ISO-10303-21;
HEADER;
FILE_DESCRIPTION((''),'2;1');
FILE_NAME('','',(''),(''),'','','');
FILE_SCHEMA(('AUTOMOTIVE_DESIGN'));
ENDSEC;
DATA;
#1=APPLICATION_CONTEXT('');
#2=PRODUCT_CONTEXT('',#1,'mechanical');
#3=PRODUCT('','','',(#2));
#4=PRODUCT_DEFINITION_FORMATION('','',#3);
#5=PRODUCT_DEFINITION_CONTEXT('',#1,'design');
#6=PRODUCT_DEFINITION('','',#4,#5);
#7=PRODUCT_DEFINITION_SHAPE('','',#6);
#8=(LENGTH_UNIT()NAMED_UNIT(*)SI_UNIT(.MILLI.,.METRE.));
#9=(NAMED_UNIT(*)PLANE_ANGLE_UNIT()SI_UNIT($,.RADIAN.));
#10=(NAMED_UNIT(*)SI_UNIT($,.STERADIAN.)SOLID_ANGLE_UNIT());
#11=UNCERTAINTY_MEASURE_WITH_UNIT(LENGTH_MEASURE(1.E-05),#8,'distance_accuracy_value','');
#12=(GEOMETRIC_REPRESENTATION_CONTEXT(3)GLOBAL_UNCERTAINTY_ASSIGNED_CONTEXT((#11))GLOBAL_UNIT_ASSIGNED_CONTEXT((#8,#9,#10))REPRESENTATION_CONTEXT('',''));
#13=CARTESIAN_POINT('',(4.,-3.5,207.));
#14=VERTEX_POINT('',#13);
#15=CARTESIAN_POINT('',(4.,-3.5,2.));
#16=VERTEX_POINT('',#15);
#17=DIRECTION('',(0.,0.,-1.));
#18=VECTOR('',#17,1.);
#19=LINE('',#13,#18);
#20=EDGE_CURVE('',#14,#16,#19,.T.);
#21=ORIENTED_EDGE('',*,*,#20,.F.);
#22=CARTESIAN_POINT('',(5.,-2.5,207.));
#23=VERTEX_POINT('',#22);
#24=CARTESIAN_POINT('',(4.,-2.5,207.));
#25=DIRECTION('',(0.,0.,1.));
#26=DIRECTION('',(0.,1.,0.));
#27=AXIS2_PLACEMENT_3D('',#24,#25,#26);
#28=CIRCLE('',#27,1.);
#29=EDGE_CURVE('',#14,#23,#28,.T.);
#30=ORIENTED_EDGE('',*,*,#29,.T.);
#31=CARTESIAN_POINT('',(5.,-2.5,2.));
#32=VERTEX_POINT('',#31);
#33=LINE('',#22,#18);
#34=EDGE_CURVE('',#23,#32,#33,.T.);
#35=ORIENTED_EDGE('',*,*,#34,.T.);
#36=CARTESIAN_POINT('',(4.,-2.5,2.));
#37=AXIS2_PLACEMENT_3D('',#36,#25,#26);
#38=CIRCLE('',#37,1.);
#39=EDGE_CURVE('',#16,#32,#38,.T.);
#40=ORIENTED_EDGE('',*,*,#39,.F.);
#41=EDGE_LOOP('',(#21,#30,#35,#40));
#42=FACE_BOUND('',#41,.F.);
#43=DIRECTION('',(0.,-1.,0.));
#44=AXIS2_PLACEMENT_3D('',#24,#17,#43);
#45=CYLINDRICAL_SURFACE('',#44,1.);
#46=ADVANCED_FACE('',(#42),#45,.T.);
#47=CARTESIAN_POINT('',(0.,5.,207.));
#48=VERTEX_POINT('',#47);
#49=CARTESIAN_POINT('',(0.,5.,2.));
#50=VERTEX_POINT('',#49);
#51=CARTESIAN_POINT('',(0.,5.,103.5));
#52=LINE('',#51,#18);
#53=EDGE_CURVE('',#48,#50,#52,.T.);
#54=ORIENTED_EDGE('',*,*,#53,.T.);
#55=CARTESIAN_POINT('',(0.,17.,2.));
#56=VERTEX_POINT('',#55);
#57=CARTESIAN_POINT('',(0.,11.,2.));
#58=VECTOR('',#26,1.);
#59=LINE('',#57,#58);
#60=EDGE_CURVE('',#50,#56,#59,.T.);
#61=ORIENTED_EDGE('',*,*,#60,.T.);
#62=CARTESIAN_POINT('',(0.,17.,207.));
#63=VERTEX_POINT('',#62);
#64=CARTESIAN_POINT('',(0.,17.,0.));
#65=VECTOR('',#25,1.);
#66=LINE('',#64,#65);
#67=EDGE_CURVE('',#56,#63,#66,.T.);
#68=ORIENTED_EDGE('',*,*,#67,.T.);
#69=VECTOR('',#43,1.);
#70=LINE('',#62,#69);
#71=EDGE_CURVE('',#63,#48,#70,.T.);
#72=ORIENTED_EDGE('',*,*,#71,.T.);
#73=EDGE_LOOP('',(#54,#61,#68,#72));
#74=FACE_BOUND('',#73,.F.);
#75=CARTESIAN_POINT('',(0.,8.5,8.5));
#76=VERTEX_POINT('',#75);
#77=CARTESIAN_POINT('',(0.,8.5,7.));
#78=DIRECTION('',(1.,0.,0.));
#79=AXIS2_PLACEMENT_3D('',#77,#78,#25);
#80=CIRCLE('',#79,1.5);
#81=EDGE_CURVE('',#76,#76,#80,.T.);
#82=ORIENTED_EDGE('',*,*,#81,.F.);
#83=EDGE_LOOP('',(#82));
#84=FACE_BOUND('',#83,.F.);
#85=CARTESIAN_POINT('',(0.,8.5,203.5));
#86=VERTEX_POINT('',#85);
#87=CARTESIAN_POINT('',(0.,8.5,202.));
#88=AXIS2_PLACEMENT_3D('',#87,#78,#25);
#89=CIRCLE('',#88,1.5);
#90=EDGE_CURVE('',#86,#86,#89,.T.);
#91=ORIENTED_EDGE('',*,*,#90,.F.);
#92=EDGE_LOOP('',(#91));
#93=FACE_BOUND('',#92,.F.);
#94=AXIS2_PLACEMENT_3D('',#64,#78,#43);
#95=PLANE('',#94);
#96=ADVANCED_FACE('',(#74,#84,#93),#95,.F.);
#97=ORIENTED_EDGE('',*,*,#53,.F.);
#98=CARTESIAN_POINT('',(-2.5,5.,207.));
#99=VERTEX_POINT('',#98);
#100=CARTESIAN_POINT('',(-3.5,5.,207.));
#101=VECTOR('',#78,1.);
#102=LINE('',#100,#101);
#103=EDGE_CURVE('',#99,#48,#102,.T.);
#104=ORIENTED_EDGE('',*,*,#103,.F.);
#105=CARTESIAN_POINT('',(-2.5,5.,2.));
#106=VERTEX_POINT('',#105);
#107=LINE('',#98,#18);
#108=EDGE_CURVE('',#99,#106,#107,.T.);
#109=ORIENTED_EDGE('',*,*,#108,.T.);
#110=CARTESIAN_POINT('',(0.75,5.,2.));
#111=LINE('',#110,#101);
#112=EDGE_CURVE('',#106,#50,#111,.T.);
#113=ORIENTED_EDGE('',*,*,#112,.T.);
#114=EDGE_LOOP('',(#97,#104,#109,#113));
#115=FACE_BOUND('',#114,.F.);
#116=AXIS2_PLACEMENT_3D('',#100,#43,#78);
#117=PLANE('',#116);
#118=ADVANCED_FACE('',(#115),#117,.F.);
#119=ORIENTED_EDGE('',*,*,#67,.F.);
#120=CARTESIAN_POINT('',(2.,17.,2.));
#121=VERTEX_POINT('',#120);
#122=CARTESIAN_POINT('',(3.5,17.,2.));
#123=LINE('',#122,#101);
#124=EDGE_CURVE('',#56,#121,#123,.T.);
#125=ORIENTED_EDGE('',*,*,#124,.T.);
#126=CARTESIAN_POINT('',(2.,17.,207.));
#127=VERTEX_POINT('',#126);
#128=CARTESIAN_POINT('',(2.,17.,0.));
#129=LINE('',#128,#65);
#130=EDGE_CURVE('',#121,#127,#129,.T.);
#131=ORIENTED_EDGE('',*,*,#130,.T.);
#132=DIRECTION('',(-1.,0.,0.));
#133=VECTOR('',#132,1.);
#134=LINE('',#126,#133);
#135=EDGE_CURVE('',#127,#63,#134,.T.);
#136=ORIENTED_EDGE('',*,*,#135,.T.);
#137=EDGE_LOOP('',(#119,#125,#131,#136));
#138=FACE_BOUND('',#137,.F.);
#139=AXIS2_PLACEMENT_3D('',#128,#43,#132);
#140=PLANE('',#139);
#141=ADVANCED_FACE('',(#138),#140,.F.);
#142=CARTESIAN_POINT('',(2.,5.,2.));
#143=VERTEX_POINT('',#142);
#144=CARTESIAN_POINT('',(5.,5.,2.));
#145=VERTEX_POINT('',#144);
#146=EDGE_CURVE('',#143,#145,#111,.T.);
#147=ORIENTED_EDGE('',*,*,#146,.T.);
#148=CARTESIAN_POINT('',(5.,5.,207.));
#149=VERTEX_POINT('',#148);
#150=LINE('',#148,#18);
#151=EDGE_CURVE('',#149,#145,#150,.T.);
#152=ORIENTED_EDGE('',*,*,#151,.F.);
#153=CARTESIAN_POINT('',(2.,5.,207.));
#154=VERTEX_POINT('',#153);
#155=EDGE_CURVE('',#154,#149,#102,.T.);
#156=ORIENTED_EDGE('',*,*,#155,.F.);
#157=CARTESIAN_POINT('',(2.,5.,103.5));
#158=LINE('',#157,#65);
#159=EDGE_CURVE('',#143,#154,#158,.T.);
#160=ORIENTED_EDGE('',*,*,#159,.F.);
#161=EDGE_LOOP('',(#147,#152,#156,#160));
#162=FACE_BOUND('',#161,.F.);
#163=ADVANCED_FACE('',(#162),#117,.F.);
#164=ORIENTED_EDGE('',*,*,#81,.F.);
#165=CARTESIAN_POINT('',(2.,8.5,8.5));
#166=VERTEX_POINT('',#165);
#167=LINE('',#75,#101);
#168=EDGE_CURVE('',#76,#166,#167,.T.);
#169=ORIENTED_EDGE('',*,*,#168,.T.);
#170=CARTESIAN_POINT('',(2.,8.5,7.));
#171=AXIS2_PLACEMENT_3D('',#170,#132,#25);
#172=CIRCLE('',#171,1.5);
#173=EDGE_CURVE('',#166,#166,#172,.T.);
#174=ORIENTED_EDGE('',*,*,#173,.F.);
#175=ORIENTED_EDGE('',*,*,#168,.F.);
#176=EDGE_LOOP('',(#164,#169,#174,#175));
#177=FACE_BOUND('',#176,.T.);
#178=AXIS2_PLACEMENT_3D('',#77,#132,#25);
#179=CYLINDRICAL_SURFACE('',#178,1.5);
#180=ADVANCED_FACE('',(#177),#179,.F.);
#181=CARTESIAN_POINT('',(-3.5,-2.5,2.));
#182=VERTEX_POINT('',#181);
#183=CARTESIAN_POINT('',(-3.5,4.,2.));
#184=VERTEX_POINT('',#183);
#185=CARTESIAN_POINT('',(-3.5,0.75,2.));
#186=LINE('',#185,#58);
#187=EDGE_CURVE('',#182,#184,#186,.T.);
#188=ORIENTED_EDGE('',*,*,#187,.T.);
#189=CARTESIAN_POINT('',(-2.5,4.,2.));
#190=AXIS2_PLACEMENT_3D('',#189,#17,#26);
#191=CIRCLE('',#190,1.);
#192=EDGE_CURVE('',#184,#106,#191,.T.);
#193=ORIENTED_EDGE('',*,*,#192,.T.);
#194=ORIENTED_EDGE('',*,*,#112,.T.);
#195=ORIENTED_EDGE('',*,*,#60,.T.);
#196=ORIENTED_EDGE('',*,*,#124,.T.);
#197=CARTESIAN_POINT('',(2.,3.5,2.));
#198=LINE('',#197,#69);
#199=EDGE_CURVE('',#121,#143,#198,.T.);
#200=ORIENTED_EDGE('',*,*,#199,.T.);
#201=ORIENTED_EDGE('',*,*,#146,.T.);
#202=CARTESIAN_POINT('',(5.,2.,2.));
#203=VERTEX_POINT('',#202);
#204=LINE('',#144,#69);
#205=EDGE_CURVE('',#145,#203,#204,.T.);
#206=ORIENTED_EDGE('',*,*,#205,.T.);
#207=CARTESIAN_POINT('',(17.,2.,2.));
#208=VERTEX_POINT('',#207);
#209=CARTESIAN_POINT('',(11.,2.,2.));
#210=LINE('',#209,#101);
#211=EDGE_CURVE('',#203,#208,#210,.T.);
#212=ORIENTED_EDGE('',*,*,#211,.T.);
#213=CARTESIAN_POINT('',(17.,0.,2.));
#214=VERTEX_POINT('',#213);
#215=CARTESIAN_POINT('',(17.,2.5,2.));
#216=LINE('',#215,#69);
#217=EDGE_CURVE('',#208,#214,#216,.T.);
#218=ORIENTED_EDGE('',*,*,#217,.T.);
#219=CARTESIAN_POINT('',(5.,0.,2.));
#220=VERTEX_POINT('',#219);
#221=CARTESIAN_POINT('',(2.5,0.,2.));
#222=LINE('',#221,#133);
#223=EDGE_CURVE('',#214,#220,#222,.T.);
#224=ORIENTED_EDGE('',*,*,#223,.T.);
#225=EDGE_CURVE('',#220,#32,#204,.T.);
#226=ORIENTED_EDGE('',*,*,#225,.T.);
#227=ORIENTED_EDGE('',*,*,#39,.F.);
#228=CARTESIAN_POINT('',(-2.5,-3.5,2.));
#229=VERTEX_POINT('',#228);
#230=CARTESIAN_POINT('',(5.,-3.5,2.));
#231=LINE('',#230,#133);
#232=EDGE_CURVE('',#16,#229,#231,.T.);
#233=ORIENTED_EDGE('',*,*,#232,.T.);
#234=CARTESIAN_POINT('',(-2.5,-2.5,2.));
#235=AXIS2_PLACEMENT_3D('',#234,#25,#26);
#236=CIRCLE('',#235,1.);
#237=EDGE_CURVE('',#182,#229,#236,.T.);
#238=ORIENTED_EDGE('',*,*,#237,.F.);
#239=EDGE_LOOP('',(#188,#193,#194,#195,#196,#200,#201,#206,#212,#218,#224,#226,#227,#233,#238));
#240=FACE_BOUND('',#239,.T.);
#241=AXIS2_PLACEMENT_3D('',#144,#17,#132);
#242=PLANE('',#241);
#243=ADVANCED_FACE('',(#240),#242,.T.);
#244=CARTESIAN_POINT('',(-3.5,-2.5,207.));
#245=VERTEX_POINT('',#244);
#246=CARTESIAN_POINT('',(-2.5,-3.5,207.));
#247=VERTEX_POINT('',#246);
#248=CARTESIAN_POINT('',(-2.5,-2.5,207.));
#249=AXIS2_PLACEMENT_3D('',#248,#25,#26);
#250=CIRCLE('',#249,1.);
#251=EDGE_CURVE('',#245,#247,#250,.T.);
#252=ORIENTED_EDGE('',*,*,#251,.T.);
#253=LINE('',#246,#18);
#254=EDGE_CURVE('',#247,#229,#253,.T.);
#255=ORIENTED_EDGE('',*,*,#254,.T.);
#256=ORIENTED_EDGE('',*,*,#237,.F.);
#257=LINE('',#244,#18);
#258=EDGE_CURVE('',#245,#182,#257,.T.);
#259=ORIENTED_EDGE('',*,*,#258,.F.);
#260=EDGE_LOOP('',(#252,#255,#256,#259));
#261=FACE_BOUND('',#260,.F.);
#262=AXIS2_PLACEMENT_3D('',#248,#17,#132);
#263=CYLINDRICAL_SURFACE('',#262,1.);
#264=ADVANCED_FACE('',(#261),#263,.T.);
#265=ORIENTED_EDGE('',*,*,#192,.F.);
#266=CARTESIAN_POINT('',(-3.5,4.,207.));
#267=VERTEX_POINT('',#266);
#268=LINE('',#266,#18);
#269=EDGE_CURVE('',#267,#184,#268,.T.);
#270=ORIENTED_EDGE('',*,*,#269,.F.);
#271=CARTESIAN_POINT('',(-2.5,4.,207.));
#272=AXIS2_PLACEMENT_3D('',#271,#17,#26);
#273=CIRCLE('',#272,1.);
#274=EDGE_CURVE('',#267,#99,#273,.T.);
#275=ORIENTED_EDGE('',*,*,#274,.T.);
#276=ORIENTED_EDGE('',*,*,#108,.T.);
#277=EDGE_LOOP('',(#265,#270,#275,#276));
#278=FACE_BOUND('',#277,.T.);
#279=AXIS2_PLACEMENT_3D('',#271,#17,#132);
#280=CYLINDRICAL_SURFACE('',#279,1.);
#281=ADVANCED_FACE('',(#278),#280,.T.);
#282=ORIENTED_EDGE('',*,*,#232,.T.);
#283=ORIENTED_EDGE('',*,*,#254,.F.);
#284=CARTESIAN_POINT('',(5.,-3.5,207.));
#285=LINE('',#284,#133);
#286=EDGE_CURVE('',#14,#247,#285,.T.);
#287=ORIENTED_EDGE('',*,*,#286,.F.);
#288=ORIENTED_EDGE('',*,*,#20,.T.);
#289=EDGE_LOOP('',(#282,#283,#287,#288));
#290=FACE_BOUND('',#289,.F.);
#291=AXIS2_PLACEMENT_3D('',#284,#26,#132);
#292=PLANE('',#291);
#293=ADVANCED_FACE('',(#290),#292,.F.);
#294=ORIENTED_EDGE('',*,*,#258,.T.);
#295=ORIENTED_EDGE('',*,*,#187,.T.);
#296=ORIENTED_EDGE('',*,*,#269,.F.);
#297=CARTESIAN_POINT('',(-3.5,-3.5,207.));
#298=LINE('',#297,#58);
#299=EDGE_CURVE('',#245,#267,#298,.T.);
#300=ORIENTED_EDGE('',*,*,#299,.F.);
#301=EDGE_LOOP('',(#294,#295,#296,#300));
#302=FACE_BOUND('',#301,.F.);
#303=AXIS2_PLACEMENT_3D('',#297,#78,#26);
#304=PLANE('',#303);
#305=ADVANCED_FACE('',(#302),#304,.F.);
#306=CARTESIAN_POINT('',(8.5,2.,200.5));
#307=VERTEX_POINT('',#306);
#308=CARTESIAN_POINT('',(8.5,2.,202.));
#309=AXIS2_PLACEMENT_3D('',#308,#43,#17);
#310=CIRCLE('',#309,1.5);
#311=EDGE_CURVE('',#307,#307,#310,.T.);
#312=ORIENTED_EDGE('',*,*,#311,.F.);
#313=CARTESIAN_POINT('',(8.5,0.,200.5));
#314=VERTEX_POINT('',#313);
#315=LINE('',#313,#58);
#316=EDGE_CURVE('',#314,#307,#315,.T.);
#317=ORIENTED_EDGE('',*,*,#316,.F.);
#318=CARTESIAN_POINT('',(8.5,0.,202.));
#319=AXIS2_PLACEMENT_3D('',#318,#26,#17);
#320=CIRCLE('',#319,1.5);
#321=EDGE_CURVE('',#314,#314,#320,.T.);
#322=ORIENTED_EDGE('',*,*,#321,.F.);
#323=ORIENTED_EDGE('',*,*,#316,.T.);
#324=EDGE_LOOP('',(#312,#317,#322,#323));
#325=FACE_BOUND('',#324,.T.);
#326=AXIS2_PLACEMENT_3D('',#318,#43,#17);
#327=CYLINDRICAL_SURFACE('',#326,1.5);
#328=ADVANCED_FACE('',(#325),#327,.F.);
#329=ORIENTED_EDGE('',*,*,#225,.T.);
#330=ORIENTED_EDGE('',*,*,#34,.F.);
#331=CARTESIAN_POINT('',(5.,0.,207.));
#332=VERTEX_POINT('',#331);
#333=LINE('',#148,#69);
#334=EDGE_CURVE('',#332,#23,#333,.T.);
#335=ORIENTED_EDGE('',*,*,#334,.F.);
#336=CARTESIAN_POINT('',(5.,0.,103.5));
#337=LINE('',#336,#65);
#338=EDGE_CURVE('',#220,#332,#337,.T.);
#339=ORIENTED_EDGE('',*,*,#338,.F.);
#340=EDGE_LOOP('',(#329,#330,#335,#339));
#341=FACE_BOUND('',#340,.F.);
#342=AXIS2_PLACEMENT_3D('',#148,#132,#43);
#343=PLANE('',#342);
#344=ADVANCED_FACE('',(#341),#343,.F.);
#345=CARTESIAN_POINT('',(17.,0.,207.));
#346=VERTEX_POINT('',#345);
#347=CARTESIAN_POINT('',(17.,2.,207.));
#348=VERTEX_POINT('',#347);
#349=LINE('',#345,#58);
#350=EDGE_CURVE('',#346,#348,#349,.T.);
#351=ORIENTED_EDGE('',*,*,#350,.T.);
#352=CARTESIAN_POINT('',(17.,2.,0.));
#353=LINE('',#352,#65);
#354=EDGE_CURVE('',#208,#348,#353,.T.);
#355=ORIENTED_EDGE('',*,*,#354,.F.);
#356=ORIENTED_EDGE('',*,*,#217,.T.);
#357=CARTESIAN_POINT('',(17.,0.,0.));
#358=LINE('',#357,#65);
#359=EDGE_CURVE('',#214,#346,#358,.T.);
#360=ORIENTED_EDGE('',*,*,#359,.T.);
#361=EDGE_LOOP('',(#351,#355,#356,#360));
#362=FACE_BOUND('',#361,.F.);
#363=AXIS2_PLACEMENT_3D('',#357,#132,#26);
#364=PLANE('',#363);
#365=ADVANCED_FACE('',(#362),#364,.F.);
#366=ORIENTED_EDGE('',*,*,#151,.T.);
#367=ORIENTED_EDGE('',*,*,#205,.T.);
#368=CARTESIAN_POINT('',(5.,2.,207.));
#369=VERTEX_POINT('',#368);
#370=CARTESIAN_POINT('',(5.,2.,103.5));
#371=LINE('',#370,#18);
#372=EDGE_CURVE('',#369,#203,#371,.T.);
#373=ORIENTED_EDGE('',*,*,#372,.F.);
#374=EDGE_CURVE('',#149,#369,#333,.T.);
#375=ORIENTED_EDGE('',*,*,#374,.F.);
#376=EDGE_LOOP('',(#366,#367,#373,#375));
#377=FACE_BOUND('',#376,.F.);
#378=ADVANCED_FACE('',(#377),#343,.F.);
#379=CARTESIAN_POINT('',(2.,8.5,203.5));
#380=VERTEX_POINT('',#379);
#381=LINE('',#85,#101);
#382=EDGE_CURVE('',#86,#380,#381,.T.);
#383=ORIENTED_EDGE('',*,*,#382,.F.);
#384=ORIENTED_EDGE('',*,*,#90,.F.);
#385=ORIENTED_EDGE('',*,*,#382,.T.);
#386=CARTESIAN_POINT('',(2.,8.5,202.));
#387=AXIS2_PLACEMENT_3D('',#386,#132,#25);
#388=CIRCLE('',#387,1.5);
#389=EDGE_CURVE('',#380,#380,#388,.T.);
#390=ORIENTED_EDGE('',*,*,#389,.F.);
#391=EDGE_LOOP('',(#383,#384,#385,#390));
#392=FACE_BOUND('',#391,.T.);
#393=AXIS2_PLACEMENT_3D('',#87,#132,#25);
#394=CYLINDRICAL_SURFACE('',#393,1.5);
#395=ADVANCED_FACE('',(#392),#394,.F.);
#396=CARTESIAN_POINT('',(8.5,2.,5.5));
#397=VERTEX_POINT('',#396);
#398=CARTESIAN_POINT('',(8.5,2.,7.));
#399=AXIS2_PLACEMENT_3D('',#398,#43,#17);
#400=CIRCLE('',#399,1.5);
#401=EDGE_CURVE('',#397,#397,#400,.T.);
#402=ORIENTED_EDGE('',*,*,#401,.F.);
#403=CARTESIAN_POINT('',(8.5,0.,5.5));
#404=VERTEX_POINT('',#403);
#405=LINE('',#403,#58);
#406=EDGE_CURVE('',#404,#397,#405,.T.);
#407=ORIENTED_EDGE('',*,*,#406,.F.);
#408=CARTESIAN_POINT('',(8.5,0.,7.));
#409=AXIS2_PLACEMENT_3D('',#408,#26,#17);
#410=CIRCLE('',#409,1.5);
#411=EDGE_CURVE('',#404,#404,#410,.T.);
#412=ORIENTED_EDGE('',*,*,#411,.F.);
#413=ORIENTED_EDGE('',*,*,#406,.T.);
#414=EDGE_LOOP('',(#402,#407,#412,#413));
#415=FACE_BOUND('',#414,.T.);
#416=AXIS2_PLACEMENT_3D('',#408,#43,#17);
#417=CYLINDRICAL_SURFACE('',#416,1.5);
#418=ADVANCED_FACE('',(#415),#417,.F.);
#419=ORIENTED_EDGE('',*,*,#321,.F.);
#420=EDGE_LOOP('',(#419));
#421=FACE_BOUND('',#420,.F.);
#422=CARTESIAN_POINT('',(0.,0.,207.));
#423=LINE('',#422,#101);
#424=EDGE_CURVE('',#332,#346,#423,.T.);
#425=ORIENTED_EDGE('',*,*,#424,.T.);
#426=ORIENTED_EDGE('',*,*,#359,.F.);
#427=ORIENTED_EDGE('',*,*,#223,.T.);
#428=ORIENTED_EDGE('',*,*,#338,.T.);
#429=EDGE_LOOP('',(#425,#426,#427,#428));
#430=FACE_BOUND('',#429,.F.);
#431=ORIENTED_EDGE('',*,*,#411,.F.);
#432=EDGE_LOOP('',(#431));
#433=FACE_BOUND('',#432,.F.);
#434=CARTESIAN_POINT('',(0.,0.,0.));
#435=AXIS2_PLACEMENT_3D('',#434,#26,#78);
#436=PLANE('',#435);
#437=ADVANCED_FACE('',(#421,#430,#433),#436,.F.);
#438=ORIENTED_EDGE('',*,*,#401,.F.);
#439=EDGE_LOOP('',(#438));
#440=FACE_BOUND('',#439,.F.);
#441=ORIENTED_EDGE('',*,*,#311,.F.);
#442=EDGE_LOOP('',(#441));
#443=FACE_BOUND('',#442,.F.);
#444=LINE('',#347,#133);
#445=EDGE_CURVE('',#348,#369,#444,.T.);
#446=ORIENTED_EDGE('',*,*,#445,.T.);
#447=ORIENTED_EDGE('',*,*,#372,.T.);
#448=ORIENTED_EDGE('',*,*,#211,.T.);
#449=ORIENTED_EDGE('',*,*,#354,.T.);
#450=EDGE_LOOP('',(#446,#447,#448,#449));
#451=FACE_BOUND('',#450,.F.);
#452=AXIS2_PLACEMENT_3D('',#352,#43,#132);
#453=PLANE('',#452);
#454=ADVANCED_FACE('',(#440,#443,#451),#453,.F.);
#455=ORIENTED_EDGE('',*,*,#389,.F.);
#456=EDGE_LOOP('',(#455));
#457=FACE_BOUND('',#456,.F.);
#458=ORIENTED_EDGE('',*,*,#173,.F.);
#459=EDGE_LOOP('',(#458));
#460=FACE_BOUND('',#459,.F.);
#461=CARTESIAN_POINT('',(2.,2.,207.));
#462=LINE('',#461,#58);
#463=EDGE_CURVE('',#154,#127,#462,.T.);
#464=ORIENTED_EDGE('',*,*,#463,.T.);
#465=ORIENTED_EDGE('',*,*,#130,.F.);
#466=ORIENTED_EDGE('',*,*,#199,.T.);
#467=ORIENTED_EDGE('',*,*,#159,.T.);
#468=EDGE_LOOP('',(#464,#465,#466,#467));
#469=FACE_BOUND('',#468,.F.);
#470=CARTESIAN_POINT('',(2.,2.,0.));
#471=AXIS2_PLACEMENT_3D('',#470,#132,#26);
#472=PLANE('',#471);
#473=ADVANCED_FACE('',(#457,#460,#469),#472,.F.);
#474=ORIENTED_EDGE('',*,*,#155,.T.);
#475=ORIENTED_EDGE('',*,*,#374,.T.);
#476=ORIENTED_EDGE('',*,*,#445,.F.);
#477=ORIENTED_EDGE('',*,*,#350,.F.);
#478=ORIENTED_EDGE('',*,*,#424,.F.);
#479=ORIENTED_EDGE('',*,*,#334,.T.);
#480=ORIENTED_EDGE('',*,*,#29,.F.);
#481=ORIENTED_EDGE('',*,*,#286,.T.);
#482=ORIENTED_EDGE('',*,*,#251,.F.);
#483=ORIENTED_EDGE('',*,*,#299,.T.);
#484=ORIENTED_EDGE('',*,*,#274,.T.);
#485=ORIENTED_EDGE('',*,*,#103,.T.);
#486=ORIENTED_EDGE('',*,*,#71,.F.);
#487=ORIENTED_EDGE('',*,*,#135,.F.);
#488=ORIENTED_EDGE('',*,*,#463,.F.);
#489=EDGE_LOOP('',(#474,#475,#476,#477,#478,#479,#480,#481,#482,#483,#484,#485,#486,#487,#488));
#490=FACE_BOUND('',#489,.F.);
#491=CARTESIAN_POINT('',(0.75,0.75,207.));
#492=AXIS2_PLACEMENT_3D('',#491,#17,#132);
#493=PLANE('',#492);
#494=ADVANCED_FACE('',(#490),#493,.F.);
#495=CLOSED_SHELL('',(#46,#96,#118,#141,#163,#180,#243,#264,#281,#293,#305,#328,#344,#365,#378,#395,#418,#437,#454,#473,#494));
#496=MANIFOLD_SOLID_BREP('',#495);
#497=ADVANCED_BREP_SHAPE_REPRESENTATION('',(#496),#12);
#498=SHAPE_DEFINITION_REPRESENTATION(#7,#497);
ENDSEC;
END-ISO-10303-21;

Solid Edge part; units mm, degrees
sketch "Sketch1" plane through (0, 0, 0) normal (0, 0, 1) x (1, 0, 0)
  line L0 (0, 0) -> (17, 0)
  line L1 (17, 0) -> (17, 2)
  line L2 (17, 2) -> (2, 2)
  line L3 (2, 2) -> (2, 17)
  line L4 (2, 17) -> (0, 17)
  line L5 (0, 17) -> (0, 0)
extrude "Protrusion1" add sketch "Sketch1" along normal blind 207
sketch "Sketch2" plane through (8.5, 8.5, 207) normal (0, 0, 1) x (1, 0, 0)
  line L0 (-12, -3.5) -> (-3.5, -3.5)
  line L1 (-3.5, -3.5) -> (-3.5, -12)
  line L2 (-3.5, -12) -> (-12, -12)
  line L3 (-12, -12) -> (-12, -3.5)
  dimension "D1" = 8.5
  dimension "D2" = 8.5
  dimension "D3" = 8.5
  dimension "D4" = 3.5
  dimension "D5" = 3.5
extrude "ExtrudedProtrusion_2" add sketch "Sketch2" against normal blind 207
sketch "Sketch3" plane through (6.75, 6.75, 0) normal (0, 0, -1) x (0, -1, 0)
  line L0 (-11.0586, -10.6054) -> (14.5586, -10.6054)
  line L1 (14.5586, -10.6054) -> (14.5586, 14.1054)
  line L2 (14.5586, 14.1054) -> (-11.0586, 14.1054)
  line L3 (-11.0586, 14.1054) -> (-11.0586, -10.6054)
extrude "ExtrudedCutout_1" cut sketch "Sketch3" against normal blind 2
hole "Hole1" at (8.5, 0, 202) direction (0, 1, 0) diameter 3 end through all
hole "Hole_2" at (8.5, 0, 7) direction (0, 1, 0) diameter 3 end up to next
hole "Hole_3" at (0, 8.5, 202) direction (1, 0, 0) diameter 3 end through all
hole "Hole_4" at (0, 8.5, 7) direction (1, 0, 0) diameter 3 end through all
fillet "Round_1" radius 1 3 edges at (-3.5, -3.5, 104.5) (-3.5, 5, 104.5) (5, -3.5, 104.5)
